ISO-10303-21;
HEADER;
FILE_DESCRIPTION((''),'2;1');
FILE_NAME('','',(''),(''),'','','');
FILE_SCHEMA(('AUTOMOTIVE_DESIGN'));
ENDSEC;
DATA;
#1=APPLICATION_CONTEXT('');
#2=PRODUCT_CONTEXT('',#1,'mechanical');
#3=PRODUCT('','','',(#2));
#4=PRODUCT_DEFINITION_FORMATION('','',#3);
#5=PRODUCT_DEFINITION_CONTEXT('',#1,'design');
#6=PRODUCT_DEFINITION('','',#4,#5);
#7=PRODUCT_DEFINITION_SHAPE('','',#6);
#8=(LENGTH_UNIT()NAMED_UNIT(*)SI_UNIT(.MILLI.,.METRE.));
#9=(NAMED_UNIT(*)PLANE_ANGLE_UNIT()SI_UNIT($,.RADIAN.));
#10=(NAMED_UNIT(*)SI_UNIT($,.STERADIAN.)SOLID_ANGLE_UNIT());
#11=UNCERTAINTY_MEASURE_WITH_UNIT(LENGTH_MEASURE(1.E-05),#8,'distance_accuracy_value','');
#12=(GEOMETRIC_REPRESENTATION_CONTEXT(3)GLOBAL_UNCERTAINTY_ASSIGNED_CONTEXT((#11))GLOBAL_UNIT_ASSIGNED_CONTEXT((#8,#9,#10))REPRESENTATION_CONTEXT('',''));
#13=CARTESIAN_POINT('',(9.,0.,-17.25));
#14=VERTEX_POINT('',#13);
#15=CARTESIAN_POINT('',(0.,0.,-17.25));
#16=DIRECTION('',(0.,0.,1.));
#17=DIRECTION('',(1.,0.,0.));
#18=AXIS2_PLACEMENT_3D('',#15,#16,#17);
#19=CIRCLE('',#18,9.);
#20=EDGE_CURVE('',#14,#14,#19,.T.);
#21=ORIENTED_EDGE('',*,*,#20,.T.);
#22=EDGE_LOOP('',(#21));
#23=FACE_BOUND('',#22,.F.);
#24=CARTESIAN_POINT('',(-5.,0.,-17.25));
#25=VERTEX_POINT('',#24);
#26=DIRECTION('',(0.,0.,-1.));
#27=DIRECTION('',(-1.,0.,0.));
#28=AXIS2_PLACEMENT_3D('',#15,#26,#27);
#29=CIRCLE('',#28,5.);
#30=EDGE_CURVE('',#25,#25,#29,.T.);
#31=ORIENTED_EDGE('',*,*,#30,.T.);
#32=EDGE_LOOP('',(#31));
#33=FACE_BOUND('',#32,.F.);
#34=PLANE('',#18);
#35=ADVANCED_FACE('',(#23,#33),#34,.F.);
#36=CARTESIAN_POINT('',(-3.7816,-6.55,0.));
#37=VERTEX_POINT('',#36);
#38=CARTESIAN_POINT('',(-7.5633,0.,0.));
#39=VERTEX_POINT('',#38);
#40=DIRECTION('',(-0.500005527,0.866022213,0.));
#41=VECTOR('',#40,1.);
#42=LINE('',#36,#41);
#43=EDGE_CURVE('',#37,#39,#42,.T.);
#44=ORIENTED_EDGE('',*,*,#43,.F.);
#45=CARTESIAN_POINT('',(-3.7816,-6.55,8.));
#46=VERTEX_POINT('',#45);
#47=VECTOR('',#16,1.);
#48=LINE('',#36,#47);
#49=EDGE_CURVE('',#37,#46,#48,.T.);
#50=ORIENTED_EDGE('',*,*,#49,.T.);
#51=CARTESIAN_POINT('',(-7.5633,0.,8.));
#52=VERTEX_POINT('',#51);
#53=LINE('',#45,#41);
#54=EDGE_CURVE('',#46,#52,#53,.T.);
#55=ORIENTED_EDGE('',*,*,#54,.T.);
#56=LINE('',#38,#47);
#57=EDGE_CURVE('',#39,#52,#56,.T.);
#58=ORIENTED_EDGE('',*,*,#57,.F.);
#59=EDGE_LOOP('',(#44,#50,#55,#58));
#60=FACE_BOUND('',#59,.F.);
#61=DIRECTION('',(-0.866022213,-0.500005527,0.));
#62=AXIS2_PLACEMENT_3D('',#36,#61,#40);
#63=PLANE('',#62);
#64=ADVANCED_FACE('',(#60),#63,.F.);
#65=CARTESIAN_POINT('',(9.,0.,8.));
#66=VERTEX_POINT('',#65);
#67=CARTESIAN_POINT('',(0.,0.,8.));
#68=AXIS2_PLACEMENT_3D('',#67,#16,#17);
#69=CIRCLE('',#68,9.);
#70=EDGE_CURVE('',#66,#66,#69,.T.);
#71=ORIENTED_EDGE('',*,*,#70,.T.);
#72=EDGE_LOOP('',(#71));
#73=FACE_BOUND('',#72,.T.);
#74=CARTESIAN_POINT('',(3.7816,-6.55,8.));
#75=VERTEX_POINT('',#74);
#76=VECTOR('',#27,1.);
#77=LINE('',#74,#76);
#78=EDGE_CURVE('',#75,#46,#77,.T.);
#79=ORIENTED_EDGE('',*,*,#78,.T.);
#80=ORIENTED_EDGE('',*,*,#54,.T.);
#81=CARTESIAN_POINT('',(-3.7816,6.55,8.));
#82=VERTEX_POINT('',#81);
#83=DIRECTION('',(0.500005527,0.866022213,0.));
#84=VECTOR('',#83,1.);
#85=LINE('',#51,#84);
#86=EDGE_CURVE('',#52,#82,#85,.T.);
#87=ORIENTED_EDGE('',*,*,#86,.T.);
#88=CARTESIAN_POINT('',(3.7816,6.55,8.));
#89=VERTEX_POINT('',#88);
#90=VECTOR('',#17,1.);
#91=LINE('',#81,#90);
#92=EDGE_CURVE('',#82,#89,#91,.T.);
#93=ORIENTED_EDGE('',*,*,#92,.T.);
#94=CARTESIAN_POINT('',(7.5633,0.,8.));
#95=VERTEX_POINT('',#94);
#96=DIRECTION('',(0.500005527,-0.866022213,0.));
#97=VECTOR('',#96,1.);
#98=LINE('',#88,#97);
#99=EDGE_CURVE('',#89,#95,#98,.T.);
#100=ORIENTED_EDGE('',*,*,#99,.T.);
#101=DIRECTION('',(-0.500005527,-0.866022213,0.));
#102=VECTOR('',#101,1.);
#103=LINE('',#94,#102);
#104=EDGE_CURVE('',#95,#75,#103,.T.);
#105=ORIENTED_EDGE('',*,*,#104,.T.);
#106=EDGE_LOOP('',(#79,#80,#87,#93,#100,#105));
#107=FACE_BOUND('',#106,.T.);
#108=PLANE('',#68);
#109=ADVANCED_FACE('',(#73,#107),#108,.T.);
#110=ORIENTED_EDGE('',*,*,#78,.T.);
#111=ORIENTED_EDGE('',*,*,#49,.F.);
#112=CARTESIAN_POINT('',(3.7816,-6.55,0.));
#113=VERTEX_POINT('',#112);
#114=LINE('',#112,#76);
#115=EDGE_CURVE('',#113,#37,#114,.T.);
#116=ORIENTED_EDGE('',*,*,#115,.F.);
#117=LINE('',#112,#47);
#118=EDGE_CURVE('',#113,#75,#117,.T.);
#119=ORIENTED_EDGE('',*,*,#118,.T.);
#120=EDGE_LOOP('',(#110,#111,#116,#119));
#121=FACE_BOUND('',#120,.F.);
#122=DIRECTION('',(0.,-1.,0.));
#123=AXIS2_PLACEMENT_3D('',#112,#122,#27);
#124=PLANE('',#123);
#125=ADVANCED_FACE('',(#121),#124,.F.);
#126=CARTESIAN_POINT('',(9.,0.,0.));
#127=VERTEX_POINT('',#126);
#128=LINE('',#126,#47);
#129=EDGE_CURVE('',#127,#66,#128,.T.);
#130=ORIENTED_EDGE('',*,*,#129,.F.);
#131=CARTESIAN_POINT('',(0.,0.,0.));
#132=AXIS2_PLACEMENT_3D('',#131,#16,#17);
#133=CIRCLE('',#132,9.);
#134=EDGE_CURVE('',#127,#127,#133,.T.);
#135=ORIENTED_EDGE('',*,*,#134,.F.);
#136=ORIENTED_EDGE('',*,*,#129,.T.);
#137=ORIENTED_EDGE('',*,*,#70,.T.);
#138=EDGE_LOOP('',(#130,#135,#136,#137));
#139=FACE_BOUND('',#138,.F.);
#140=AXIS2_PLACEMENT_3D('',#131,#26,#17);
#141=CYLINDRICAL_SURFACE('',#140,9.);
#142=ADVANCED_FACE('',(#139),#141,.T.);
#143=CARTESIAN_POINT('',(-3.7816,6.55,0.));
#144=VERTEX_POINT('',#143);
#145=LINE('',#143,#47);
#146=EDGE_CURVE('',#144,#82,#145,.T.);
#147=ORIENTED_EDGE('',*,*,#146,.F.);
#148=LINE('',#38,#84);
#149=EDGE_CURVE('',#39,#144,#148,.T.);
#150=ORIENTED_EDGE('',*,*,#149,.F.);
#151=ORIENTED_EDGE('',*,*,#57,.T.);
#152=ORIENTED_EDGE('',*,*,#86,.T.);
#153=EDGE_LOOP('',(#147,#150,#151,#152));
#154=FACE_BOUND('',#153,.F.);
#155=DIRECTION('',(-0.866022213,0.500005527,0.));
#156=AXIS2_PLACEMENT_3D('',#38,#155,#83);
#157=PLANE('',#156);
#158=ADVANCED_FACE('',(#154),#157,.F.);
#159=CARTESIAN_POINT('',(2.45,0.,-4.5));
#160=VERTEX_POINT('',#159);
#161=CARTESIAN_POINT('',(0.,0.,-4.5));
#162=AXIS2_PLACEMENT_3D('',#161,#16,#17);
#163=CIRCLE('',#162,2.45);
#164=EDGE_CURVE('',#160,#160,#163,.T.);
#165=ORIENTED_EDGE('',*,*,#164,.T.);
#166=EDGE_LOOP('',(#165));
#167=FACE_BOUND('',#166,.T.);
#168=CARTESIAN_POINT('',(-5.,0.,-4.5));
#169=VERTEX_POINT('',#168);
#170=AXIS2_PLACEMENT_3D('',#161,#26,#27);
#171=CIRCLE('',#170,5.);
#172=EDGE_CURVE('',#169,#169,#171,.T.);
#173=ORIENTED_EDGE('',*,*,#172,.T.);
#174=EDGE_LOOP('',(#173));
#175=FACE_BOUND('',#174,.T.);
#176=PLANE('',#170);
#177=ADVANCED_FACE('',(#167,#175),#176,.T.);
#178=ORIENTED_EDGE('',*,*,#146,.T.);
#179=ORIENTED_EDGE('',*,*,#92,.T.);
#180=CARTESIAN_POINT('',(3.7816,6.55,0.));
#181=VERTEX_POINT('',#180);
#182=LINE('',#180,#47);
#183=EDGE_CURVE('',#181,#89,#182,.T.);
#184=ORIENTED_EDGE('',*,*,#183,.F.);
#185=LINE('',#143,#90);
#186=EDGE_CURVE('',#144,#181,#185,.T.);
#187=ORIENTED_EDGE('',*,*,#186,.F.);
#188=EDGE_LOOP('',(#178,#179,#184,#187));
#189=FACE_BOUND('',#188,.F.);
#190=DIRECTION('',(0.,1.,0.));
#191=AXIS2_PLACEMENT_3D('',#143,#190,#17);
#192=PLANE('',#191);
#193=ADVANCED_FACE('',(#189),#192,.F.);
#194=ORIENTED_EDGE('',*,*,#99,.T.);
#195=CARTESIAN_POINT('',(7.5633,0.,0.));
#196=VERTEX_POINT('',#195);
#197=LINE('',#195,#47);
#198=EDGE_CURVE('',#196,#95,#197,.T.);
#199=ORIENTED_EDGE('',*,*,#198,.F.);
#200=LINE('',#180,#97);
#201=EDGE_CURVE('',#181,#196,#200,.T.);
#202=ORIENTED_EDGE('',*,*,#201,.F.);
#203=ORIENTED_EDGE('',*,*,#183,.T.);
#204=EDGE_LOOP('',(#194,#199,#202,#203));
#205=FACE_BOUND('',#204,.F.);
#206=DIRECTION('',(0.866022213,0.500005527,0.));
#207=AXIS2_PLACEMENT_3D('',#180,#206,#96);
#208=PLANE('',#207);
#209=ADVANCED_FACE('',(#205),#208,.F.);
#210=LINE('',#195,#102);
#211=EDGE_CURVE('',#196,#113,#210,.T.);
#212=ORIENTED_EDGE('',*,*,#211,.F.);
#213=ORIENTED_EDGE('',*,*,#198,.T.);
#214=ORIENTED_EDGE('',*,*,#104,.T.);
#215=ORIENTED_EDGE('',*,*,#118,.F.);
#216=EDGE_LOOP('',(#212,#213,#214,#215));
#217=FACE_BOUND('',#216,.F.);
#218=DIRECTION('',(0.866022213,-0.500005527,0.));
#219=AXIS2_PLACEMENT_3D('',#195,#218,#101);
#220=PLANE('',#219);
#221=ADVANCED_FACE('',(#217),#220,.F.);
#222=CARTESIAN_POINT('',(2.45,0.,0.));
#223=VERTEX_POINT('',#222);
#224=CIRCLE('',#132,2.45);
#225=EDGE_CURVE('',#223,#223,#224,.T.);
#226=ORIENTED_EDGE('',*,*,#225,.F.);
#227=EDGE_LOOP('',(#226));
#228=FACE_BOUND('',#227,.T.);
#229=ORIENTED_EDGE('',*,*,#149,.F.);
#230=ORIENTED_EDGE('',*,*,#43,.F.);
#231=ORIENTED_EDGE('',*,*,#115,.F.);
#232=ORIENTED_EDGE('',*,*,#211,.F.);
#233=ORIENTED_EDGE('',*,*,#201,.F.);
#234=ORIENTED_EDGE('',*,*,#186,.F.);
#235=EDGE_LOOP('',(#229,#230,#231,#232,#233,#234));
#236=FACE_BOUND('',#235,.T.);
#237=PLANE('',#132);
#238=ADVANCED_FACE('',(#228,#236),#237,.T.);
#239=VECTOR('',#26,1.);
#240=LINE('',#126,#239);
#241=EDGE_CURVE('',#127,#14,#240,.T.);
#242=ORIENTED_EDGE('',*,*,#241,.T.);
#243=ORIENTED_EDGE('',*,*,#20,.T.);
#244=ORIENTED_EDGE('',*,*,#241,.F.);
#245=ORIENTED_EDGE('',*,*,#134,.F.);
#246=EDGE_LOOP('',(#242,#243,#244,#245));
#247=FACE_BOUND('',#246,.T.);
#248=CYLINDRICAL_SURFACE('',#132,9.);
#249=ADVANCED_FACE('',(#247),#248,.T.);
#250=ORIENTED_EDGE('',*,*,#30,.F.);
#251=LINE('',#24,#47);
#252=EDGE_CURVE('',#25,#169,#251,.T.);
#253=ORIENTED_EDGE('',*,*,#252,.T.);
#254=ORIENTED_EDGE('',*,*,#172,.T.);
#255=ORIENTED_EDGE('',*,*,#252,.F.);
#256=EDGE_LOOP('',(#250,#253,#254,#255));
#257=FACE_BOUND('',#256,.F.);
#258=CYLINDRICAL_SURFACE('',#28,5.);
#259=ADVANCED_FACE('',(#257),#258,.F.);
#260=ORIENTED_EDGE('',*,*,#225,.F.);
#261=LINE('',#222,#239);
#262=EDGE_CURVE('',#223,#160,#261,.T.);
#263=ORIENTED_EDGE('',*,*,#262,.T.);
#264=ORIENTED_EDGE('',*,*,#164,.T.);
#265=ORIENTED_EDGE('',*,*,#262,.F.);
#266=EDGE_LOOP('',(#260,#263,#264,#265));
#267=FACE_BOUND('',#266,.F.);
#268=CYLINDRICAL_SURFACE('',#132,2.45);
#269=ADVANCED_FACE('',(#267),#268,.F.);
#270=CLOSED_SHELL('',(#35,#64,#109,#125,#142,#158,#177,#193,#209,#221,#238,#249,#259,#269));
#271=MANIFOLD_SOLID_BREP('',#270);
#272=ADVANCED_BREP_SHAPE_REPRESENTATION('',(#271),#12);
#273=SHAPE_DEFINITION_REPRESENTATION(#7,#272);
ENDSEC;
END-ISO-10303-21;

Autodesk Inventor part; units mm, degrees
ref_plane "YZ Plane" through (0, 0, 0) normal (1, 0, 0) x (0, 1, 0)
ref_plane "XZ Plane" through (0, 0, 0) normal (0, 1, 0) x (-1, 0, 0)
ref_plane "XY Plane" through (0, 0, 0) normal (0, 0, 1) x (1, 0, 0)
sketch "Sketch1" plane through (0, 0, 0) normal (0, 0, 1) x (1, 0, 0)
  line L0 (-7.5633, 0) -> (-3.7816, 6.55)
  line L1 (-3.7816, 6.55) -> (3.7816, 6.55)
  line L2 (3.7816, 6.55) -> (7.5633, 0)
  line L3 (7.5633, 0) -> (3.7816, -6.55)
  line L4 (3.7816, -6.55) -> (-3.7816, -6.55)
  line L5 (-3.7816, -6.55) -> (-7.5633, 0)
  circle A0 centre (0, 0) radius 9
  circle A1 centre (0, 0) radius 2.45
  point P0 (0, -6.55)
  point P1 (0, 6.55)
  dimension "d0" = 13.1
  dimension "d1" = 18
  dimension "d2" = 4.9
extrude "Extrusion1" add sketch "Sketch1" along normal blind 8 contours A0
extrude "Extrusion2" add sketch "Sketch1" against normal blind 17.25 contours L0 L1 L2 L3 L4 L5 | A0
sketch "Sketch2" plane through (0, 0, -17.25) normal (0, 0, -1) x (-1, 0, 0)
  circle A0 centre (0, 0) radius 5
  dimension "d7" = 10
extrude "Extrusion3" cut sketch "Sketch2" against normal blind 12.75
properties part number "End Shaft Spacers"
